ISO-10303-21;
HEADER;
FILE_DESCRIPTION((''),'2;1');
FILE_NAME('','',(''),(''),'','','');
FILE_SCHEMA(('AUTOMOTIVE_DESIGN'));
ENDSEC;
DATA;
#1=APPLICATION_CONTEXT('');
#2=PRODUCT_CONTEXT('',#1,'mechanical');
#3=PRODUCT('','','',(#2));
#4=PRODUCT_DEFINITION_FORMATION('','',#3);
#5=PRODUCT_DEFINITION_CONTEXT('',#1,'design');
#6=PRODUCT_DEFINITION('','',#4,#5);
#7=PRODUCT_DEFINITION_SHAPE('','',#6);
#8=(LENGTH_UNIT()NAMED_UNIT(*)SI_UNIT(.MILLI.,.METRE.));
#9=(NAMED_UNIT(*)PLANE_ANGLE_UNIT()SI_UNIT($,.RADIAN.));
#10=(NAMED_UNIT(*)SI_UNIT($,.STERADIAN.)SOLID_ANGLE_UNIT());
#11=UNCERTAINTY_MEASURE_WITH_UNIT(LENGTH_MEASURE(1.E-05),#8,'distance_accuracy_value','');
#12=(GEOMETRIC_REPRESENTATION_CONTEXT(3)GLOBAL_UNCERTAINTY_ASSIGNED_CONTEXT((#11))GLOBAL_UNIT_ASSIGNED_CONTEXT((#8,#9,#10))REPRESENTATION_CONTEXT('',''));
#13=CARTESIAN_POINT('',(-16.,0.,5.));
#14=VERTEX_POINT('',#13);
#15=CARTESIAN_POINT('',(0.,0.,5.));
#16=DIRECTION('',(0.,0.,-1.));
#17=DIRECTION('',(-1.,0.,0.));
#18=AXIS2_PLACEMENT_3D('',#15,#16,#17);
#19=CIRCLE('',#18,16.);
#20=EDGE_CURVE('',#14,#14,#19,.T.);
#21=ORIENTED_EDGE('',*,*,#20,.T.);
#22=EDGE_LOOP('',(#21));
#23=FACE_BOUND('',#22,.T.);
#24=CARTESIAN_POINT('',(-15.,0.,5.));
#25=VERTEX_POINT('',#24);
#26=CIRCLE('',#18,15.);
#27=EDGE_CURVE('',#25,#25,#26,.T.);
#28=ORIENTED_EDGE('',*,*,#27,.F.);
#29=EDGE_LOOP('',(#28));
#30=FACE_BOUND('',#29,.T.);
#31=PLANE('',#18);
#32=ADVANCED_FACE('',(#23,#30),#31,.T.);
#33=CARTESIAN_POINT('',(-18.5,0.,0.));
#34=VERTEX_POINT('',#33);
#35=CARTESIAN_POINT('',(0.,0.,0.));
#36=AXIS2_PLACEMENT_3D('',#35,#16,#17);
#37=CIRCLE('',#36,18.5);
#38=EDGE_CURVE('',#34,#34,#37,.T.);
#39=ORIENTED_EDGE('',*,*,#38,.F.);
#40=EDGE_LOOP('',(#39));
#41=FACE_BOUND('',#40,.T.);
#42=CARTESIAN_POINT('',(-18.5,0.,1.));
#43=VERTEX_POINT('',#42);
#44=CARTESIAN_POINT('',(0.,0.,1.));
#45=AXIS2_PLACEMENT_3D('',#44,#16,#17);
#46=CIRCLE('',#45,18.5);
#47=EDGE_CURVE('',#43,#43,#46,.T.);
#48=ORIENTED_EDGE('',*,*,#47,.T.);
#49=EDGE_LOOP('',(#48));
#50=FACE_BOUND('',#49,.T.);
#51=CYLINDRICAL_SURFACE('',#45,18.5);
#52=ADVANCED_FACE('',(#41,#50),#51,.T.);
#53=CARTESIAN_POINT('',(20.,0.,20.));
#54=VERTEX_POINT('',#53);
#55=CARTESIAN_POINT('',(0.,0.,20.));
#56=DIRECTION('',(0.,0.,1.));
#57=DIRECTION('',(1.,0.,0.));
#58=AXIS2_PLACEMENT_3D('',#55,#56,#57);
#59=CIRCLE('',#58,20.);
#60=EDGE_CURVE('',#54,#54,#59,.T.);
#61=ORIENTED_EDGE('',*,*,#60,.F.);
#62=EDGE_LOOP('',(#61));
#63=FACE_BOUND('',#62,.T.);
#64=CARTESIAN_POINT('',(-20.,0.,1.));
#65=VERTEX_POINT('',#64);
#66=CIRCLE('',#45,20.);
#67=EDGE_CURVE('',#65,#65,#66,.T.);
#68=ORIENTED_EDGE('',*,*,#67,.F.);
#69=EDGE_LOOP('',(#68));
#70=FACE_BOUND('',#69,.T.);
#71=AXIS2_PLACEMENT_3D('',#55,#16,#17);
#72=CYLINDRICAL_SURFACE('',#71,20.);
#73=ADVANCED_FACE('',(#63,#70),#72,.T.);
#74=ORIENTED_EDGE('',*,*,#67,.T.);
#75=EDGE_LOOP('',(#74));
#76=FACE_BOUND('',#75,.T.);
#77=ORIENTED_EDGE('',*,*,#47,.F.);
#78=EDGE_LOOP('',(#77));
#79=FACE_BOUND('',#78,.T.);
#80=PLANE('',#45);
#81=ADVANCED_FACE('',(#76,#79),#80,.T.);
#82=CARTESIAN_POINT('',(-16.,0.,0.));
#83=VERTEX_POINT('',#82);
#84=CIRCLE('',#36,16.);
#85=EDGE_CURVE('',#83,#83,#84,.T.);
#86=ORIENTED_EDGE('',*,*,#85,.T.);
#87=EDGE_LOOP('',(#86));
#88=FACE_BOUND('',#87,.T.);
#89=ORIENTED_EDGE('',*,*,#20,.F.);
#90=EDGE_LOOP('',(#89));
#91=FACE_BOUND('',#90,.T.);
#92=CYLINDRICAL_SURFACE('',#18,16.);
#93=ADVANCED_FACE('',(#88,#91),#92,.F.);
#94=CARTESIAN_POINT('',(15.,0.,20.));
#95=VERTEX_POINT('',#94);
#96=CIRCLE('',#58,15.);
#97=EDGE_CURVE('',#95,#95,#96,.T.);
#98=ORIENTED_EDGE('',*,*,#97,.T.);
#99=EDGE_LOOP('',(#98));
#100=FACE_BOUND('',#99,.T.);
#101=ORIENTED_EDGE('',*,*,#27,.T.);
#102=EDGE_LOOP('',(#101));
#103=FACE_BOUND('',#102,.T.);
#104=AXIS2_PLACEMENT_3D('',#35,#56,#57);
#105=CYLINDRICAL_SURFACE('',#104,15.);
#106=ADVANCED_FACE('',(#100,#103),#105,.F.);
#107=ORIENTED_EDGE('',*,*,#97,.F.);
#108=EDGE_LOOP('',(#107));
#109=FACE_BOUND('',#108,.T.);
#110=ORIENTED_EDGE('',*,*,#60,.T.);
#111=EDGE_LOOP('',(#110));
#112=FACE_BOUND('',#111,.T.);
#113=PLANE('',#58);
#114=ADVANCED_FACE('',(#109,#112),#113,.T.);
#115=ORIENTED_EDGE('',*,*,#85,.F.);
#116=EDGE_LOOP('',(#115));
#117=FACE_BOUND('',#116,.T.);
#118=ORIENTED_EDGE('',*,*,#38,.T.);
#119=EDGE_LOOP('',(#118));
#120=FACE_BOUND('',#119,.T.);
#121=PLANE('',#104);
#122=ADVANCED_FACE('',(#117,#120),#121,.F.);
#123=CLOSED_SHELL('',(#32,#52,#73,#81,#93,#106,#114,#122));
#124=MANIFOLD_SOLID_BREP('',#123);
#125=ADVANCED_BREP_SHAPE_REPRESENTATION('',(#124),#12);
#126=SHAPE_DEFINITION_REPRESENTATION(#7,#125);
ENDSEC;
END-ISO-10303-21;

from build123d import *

# Parameters (mm, degrees)
SKETCH_1_R          = 20
EXTRUDE_1_DEPTH     = 20
SKETCH_4_R          = 20
SKETCH_4_R_2        = 18.5
CUT_EXTRUDE_3_DEPTH = 1
SKETCH_3_R          = 16
CUT_EXTRUDE_2_DEPTH = 5
SKETCH_6_R          = 15
CUT_EXTRUDE_4_DEPTH = 21


with BuildPart() as part:
    # ｽｹｯﾁ1 → ﾎﾞｽ - 押し出し1 (new body)
    with BuildSketch(Plane.XY):
        Circle(SKETCH_1_R)
    extrude(amount=EXTRUDE_1_DEPTH)

    # ｽｹｯﾁ4 → ｶｯﾄ - 押し出し3 (cut)
    with BuildSketch(Plane(origin=(0, 0, 0), x_dir=(-1, 0, 0), z_dir=(0, 0, -1))):
        Circle(SKETCH_4_R)
        Circle(SKETCH_4_R_2, mode=Mode.SUBTRACT)
    extrude(amount=-CUT_EXTRUDE_3_DEPTH, mode=Mode.SUBTRACT)

    # ｽｹｯﾁ3 → ｶｯﾄ - 押し出し2 (cut)
    with BuildSketch(Plane(origin=(0, 0, 0), x_dir=(-1, 0, 0), z_dir=(0, 0, -1))):
        Circle(SKETCH_3_R)
    extrude(amount=-CUT_EXTRUDE_2_DEPTH, mode=Mode.SUBTRACT)

    # ｽｹｯﾁ6 → ｶｯﾄ - 押し出し4 (cut, through all)
    with BuildSketch(Plane.XY.offset(20)):
        Circle(SKETCH_6_R)
    extrude(amount=-CUT_EXTRUDE_4_DEPTH, mode=Mode.SUBTRACT)


solid = part.part
